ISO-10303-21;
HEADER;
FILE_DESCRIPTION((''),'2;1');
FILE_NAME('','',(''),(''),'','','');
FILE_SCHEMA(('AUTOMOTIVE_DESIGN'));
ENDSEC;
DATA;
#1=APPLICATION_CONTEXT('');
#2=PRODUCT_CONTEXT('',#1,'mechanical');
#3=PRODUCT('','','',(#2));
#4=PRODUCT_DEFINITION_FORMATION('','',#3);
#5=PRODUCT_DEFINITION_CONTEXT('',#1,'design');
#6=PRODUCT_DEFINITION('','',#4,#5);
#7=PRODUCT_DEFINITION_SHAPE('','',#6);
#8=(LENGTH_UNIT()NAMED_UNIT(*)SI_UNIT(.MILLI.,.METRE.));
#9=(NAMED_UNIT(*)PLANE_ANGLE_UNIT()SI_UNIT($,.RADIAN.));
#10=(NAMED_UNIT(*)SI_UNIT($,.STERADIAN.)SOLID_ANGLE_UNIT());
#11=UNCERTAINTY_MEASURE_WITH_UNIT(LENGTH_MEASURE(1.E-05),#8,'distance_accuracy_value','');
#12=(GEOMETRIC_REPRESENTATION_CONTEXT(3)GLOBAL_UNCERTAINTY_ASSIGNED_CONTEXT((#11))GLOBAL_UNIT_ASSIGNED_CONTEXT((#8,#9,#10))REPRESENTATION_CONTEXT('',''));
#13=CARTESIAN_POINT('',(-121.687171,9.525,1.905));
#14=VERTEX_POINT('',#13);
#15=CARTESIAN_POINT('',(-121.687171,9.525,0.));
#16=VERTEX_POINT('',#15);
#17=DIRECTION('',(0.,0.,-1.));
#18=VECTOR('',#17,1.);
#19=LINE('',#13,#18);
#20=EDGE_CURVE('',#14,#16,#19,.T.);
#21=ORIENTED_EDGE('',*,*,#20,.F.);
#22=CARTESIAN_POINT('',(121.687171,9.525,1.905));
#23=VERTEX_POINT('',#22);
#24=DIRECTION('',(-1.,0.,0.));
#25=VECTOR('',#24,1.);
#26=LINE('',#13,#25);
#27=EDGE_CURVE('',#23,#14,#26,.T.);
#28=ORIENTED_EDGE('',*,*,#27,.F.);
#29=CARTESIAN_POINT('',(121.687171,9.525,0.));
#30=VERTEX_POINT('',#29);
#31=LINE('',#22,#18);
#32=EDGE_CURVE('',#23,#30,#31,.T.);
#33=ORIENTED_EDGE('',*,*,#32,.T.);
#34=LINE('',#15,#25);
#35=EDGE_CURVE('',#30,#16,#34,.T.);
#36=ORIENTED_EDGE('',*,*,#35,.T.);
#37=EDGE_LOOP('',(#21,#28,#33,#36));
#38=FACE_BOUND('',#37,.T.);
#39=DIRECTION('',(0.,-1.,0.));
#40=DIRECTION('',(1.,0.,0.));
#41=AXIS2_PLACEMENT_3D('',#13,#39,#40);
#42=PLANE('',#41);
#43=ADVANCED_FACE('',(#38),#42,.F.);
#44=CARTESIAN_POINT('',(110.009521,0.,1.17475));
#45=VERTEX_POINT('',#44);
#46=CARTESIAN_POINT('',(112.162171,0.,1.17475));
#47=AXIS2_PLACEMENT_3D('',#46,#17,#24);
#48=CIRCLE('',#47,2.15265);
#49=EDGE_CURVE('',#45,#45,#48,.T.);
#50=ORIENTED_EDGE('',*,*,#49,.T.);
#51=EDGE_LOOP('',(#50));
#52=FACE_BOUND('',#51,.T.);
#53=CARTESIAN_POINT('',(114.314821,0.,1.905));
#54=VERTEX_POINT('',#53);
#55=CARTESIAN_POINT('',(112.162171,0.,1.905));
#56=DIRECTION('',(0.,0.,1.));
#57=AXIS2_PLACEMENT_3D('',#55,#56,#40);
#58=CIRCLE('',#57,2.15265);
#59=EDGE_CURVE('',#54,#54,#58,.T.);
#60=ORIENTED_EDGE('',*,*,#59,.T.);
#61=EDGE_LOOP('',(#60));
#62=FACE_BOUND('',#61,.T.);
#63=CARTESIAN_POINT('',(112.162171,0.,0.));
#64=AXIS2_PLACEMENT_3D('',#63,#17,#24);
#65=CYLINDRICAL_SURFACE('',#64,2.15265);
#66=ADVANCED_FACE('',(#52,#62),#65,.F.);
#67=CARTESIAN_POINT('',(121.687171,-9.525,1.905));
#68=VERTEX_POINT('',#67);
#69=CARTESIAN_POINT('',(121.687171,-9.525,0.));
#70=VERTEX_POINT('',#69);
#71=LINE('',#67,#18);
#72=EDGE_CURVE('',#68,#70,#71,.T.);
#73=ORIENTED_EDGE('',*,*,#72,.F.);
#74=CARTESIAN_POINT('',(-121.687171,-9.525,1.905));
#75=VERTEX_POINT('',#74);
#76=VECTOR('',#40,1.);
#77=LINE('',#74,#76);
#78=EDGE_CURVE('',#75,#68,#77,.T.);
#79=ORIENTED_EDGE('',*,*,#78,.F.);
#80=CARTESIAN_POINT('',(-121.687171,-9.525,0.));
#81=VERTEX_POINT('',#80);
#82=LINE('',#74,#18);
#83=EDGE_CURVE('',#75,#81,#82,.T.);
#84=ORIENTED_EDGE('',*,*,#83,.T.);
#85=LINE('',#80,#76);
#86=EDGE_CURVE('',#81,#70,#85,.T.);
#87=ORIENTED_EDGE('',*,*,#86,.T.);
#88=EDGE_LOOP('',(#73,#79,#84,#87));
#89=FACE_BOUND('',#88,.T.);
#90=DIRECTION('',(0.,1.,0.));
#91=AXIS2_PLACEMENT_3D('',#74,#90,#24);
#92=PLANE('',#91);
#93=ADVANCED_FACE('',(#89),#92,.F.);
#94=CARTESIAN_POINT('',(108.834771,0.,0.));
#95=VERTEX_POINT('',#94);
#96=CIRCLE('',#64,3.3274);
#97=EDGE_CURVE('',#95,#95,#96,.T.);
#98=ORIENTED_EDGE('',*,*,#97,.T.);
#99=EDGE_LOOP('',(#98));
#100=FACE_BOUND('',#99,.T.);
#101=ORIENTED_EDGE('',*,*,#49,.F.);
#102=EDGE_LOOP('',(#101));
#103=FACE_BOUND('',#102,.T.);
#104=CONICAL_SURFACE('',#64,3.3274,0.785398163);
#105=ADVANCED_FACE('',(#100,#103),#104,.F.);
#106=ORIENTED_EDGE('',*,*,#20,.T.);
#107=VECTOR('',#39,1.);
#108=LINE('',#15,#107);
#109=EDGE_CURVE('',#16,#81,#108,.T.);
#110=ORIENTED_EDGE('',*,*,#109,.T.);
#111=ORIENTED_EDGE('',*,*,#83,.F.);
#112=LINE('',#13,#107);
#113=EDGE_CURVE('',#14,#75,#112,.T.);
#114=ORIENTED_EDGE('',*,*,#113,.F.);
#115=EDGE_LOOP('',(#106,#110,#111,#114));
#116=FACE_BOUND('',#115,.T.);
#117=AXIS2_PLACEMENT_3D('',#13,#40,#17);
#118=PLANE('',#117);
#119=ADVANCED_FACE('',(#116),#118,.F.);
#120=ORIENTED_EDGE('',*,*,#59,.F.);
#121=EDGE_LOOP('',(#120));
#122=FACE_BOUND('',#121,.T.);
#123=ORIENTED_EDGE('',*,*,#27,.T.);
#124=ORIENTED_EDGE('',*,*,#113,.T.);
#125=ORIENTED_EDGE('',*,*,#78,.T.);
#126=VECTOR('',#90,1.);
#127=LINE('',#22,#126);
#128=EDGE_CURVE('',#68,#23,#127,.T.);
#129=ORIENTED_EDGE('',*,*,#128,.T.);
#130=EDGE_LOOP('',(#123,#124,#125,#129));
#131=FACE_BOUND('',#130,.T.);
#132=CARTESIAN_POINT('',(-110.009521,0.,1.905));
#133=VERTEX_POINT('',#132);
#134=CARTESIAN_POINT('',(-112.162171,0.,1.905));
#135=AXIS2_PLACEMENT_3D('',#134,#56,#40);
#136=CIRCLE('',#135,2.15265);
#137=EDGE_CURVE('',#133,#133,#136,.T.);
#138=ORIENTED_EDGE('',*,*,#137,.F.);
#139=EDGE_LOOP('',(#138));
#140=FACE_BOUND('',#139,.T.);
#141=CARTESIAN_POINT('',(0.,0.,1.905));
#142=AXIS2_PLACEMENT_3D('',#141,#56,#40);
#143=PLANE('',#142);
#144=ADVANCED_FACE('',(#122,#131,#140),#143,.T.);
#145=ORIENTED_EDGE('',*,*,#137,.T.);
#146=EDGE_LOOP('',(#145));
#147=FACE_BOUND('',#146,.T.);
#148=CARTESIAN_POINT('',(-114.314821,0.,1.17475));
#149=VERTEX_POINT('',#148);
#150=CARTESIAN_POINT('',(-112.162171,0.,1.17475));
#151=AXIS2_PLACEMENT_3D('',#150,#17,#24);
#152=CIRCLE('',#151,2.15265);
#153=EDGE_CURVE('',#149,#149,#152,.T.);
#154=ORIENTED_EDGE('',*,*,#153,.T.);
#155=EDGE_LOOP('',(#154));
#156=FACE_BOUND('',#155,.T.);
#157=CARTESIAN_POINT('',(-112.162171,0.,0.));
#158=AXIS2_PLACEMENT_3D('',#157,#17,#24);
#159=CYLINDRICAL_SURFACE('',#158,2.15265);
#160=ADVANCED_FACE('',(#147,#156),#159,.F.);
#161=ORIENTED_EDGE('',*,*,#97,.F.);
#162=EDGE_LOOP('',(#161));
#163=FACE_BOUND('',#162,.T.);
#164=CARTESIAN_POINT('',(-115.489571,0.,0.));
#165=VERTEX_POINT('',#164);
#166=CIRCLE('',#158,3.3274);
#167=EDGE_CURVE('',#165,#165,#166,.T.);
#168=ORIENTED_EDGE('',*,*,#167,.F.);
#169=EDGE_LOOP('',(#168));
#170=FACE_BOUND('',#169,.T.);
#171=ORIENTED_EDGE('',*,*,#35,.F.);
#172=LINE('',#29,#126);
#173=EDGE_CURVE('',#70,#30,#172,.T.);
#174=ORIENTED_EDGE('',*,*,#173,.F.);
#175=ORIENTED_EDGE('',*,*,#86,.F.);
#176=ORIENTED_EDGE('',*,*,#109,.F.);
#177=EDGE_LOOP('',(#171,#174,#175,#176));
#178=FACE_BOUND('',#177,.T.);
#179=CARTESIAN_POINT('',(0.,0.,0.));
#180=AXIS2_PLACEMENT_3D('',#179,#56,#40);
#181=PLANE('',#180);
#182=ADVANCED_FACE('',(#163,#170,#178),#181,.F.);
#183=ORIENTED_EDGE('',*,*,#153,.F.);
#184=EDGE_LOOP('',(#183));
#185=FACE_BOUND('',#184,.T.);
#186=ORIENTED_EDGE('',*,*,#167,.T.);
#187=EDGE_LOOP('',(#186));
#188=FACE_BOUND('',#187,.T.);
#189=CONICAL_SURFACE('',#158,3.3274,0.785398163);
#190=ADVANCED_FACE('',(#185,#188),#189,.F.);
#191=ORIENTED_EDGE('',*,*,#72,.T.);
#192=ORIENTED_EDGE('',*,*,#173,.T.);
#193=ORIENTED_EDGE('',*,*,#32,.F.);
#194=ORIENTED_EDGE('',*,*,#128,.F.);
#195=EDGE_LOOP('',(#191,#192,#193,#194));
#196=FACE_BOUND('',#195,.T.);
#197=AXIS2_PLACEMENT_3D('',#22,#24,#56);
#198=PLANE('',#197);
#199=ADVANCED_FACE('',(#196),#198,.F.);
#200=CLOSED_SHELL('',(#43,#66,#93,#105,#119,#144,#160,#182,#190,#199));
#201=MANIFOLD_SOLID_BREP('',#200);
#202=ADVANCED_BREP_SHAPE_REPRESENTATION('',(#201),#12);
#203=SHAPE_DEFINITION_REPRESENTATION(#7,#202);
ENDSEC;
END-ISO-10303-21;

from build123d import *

# Parameters (mm, degrees)
SKETCH3_W                      = 243.3743418
SKETCH3_H                      = 19.05
BOSS_EXTRUDE1_DEPTH            = 1.905
F_6_CLEARANCE_HOLE1_AT_2_COUNT = 2
F_6_CLEARANCE_HOLE1_AT_2_PITCH = 224.3243418


with BuildPart() as part:
    # Sketch3 → Boss-Extrude1 (new body)
    with BuildSketch(Plane.XY):
        Rectangle(SKETCH3_W, SKETCH3_H)
    extrude(amount=BOSS_EXTRUDE1_DEPTH)

    # Sketch5 → #6 Clearance Hole1 (revolve, cut)
    with BuildSketch(Plane.YZ.offset(-112.1621709)):
        Polygon((0, 0), (0, 1.905), (2.15265, 1.905), (2.15265, 1.17475), (3.3274, 0), align=None)
    f_6_clearance_hole1 = revolve(axis=Axis((-112.1621709, 0, -6.35), (0, 0, 1)), mode=Mode.SUBTRACT)

    # #6 Clearance Hole1 at 2: #6 Clearance Hole1 ×2
    with Locations(*[(i * F_6_CLEARANCE_HOLE1_AT_2_PITCH, 0, 0) for i in range(1, F_6_CLEARANCE_HOLE1_AT_2_COUNT)]):
        add(f_6_clearance_hole1, mode=Mode.SUBTRACT)


solid = part.part
